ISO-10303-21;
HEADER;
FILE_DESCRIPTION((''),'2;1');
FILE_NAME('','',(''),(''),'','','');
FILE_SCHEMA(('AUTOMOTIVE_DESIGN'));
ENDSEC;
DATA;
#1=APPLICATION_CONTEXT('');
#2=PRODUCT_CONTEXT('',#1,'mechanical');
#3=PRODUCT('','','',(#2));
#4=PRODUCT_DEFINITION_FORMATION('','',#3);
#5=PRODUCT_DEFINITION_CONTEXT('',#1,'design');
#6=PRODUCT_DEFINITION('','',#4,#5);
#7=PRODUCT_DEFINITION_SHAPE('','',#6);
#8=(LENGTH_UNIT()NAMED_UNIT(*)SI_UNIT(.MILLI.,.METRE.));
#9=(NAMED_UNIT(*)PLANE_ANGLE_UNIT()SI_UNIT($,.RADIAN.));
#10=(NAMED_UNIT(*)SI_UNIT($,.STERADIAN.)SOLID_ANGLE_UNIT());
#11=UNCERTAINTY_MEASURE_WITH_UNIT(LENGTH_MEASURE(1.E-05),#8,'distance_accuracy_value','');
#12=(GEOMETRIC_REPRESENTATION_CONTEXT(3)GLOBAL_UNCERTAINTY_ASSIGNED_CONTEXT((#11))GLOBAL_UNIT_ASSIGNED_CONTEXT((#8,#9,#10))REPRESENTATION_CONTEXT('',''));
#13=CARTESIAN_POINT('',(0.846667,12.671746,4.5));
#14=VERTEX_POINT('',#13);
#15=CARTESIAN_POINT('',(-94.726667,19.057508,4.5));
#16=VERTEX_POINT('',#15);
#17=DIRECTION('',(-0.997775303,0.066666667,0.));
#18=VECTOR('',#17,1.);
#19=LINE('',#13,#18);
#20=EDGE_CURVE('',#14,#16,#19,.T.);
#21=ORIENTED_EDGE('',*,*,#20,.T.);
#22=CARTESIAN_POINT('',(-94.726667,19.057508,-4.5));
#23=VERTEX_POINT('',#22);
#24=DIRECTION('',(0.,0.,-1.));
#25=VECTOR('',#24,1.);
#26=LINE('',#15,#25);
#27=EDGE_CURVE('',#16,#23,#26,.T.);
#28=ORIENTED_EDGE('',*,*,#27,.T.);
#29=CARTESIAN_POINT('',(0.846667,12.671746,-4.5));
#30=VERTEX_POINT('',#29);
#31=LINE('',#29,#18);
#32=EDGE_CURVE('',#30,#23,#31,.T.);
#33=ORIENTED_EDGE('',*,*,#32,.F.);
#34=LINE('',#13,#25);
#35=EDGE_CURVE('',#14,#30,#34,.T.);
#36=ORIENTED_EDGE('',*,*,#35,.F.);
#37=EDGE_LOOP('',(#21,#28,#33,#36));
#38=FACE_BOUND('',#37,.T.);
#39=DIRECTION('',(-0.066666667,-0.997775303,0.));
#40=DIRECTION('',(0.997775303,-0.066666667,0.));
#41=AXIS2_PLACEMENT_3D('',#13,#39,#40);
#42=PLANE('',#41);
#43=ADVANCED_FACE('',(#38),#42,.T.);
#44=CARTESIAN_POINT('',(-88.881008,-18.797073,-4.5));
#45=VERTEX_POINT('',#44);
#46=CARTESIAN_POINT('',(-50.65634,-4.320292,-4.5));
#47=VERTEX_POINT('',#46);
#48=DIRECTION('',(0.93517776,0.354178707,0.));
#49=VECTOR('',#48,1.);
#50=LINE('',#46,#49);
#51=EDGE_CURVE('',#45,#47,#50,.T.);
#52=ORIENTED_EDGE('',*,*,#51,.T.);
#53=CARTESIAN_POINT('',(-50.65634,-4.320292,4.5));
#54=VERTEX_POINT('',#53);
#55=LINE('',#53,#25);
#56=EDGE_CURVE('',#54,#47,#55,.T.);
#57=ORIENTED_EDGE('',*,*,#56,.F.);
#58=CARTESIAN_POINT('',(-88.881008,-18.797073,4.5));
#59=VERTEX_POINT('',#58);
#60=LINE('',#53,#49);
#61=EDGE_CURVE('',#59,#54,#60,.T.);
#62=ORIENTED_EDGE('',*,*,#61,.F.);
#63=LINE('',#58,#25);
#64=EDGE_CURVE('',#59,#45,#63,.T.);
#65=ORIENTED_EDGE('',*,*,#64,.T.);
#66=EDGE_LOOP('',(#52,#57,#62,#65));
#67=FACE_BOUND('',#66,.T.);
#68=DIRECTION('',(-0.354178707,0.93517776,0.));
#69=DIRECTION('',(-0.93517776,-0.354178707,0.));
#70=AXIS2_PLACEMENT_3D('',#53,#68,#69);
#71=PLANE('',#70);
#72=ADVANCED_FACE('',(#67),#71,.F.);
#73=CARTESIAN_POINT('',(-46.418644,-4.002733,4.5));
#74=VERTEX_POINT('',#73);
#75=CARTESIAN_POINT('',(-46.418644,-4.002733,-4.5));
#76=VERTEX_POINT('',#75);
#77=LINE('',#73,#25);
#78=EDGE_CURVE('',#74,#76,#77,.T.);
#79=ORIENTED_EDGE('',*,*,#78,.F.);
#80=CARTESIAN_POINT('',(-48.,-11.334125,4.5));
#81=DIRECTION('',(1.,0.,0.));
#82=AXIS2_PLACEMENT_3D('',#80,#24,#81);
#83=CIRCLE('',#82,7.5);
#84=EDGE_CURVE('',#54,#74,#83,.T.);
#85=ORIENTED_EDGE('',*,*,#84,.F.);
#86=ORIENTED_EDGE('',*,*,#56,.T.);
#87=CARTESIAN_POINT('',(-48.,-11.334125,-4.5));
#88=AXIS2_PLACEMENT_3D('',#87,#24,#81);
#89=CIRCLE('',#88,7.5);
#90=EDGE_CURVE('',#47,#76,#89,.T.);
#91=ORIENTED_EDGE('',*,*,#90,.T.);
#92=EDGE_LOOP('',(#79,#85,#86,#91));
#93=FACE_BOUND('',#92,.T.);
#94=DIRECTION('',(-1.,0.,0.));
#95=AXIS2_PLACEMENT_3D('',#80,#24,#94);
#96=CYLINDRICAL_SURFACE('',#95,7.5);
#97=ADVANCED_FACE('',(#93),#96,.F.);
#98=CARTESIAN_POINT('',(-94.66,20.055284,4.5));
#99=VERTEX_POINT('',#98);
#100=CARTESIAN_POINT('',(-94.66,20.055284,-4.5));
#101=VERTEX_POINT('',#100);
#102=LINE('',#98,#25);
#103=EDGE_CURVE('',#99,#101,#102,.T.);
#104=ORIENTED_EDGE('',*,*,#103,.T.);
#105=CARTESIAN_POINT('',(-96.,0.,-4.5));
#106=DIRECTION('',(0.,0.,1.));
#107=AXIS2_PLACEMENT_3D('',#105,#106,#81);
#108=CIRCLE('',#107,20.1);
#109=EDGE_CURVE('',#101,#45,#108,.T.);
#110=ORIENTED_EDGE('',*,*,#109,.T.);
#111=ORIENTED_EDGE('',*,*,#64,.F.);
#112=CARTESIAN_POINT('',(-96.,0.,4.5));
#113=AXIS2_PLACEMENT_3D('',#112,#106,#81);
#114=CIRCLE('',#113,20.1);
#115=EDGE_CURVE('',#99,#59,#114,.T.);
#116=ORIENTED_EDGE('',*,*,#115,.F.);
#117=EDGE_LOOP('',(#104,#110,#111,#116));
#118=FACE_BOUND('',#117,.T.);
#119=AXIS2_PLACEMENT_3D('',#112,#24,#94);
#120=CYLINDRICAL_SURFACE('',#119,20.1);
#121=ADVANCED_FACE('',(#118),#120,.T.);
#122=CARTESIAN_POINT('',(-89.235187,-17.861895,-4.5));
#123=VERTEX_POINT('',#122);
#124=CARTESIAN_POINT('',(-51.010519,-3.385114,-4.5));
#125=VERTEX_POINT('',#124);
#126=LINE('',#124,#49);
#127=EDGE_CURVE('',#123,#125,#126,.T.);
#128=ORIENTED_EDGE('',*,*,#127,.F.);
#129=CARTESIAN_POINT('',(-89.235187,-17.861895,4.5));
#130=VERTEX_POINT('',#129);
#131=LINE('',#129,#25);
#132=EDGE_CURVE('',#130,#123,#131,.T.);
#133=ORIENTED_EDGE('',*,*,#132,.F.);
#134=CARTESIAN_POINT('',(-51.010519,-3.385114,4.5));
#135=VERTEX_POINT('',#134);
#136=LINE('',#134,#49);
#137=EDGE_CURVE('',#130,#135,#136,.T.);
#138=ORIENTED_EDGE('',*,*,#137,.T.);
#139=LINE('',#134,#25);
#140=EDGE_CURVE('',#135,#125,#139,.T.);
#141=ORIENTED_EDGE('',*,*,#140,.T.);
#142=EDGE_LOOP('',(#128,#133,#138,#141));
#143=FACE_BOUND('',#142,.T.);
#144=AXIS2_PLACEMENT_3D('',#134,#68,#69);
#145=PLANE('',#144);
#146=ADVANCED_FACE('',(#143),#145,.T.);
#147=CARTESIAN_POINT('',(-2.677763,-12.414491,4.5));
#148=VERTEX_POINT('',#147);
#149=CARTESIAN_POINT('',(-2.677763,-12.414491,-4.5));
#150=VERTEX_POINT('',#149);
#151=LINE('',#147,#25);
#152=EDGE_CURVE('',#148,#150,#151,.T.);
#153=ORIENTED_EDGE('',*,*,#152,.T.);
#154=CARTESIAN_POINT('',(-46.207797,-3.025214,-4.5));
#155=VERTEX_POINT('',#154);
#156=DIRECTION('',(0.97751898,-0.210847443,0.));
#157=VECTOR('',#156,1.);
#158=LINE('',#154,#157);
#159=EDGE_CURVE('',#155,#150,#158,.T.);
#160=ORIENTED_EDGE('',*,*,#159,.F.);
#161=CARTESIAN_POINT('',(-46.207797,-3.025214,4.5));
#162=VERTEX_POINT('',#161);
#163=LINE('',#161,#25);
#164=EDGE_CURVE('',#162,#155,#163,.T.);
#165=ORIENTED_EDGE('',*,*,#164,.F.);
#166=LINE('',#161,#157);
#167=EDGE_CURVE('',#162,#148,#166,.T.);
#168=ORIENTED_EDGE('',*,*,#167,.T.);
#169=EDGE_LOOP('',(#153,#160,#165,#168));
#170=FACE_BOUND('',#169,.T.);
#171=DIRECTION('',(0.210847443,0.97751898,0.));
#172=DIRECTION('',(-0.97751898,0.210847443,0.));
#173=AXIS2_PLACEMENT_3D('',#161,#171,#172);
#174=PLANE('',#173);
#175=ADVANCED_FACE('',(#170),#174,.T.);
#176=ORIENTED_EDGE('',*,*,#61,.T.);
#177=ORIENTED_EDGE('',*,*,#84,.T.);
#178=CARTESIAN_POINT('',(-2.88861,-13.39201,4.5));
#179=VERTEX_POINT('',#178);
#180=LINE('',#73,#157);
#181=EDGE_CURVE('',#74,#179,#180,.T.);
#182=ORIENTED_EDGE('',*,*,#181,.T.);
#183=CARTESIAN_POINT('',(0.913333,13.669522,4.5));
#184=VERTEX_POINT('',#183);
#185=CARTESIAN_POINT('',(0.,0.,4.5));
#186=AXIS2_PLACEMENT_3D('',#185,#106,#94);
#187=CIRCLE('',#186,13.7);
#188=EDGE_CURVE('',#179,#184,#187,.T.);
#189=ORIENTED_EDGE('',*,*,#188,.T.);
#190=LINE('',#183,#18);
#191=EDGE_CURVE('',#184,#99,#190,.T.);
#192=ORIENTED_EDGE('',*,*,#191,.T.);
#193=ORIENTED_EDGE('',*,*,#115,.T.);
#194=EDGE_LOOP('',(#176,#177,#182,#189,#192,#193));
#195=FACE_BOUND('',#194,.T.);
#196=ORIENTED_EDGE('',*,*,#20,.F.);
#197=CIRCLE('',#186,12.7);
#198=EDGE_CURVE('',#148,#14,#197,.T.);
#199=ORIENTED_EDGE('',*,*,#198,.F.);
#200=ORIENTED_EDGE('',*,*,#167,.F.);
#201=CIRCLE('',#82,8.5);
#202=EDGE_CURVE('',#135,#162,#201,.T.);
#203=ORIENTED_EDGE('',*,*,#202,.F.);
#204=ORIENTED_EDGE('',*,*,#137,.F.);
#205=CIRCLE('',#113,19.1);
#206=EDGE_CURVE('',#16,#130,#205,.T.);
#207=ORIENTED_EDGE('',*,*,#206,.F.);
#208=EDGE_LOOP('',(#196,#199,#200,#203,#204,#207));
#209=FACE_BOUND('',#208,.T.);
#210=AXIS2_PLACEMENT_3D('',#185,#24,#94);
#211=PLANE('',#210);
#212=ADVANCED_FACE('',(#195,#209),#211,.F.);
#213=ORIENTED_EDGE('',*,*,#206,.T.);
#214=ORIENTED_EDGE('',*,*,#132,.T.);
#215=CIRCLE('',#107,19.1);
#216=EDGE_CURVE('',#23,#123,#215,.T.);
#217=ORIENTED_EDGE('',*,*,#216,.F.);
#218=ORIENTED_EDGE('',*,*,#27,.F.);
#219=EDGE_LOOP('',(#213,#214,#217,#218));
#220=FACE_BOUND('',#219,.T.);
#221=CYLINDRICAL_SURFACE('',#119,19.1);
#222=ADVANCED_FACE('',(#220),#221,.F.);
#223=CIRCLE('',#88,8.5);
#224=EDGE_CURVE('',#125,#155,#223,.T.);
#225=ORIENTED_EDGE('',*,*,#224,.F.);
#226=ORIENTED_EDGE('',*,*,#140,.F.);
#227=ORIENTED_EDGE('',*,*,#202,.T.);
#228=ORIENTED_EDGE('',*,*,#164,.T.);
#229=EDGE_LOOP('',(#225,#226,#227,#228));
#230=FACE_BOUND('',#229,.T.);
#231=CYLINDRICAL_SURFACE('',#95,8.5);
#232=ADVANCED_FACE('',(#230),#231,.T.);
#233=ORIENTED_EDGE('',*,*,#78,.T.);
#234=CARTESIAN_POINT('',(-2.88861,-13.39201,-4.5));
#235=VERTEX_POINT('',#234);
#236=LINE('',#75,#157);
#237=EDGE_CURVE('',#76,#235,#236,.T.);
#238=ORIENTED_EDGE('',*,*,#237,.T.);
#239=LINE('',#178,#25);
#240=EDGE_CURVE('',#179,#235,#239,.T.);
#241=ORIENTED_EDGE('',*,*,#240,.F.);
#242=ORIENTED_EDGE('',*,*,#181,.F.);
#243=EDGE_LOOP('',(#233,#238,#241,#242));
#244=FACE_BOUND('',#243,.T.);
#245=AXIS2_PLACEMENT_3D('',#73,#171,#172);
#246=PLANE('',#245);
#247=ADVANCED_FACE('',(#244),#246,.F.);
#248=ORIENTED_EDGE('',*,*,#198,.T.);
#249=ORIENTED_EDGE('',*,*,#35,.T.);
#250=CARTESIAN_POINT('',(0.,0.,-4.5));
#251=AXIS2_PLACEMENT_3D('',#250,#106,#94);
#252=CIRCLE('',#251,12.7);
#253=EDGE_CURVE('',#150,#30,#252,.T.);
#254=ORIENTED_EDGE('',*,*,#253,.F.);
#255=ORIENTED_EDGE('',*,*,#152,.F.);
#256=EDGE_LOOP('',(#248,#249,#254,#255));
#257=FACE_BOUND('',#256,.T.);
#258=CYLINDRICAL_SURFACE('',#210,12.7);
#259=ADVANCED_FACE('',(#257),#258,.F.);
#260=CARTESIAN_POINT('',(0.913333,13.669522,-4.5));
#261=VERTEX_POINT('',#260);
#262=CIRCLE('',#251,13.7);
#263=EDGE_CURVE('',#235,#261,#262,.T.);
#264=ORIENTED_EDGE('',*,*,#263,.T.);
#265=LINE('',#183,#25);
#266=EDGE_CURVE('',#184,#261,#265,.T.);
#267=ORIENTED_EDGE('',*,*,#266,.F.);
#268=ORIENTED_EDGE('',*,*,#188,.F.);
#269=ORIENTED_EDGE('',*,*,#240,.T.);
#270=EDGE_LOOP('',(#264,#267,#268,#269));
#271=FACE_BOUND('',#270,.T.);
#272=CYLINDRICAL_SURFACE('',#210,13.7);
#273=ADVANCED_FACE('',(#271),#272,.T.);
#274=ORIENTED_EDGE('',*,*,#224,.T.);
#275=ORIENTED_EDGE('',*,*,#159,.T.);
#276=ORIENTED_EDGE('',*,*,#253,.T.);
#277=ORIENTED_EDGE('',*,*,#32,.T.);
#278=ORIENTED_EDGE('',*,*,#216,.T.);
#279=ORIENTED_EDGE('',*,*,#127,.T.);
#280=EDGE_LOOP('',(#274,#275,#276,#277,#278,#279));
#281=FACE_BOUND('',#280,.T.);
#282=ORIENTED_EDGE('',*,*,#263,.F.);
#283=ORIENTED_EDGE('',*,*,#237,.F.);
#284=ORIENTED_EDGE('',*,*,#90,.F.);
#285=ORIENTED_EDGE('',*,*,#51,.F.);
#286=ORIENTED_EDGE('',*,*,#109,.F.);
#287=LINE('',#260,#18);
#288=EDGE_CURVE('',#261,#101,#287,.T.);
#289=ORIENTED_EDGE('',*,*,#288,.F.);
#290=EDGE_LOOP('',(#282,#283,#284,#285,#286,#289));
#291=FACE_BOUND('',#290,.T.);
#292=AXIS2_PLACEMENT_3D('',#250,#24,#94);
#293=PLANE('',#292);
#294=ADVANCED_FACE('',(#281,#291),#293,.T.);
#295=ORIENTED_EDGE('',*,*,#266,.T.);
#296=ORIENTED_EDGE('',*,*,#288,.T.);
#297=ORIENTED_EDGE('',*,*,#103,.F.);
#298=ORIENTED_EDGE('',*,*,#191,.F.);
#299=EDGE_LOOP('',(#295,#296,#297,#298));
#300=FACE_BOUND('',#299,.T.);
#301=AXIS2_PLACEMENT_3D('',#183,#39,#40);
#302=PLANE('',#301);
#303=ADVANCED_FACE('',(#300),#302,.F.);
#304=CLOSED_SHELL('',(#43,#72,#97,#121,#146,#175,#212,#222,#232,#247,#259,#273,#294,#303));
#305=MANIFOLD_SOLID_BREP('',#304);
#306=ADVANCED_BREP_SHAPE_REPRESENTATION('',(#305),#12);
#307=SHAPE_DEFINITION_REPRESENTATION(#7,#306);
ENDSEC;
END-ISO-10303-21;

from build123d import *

# Parameters (mm, degrees)
BOSS_EXTRUDE1_DEPTH = 4.5


with BuildPart() as part:
    # Sketch1 → Boss-Extrude1 (new body, symmetric)
    with BuildSketch(Plane.XY):
        with BuildLine():
            Line((0.913333333, 13.669521653), (-94.66, 20.055283593))
            ThreePointArc((-94.66, 20.055283593), (-115.881273585, -2.957187963), (-88.88100799, -18.797072984))
            Line((-88.88100799, -18.797072984), (-50.656340302, -4.32029226))
            ThreePointArc((-50.656340302, -4.32029226), (-48.560454158, -3.855095369), (-46.418644181, -4.002733114))
            Line((-46.418644181, -4.002733114), (-2.888609962, -13.392010024))
            ThreePointArc((-2.888609962, -13.392010024), (13.566762828, -1.906028956), (0.913333333, 13.669521653))
        make_face()
        with BuildLine():
            Line((-51.010519009, -3.385114499), (-89.235186697, -17.861895224))
            ThreePointArc((-89.235186697, -17.861895224), (-114.892155496, -2.810064183), (-94.726666667, 19.05750829))
            Line((-94.726666667, 19.05750829), (0.846666667, 12.67174635))
            ThreePointArc((0.846666667, 12.67174635), (12.576488169, -1.766902755), (-2.67776252, -12.414491044))
            Line((-2.67776252, -12.414491044), (-46.207796739, -3.025214134))
            ThreePointArc((-46.207796739, -3.025214134), (-48.635181379, -2.857891357), (-51.010519009, -3.385114499))
        make_face(mode=Mode.SUBTRACT)
    extrude(amount=BOSS_EXTRUDE1_DEPTH, both=True)


solid = part.part
